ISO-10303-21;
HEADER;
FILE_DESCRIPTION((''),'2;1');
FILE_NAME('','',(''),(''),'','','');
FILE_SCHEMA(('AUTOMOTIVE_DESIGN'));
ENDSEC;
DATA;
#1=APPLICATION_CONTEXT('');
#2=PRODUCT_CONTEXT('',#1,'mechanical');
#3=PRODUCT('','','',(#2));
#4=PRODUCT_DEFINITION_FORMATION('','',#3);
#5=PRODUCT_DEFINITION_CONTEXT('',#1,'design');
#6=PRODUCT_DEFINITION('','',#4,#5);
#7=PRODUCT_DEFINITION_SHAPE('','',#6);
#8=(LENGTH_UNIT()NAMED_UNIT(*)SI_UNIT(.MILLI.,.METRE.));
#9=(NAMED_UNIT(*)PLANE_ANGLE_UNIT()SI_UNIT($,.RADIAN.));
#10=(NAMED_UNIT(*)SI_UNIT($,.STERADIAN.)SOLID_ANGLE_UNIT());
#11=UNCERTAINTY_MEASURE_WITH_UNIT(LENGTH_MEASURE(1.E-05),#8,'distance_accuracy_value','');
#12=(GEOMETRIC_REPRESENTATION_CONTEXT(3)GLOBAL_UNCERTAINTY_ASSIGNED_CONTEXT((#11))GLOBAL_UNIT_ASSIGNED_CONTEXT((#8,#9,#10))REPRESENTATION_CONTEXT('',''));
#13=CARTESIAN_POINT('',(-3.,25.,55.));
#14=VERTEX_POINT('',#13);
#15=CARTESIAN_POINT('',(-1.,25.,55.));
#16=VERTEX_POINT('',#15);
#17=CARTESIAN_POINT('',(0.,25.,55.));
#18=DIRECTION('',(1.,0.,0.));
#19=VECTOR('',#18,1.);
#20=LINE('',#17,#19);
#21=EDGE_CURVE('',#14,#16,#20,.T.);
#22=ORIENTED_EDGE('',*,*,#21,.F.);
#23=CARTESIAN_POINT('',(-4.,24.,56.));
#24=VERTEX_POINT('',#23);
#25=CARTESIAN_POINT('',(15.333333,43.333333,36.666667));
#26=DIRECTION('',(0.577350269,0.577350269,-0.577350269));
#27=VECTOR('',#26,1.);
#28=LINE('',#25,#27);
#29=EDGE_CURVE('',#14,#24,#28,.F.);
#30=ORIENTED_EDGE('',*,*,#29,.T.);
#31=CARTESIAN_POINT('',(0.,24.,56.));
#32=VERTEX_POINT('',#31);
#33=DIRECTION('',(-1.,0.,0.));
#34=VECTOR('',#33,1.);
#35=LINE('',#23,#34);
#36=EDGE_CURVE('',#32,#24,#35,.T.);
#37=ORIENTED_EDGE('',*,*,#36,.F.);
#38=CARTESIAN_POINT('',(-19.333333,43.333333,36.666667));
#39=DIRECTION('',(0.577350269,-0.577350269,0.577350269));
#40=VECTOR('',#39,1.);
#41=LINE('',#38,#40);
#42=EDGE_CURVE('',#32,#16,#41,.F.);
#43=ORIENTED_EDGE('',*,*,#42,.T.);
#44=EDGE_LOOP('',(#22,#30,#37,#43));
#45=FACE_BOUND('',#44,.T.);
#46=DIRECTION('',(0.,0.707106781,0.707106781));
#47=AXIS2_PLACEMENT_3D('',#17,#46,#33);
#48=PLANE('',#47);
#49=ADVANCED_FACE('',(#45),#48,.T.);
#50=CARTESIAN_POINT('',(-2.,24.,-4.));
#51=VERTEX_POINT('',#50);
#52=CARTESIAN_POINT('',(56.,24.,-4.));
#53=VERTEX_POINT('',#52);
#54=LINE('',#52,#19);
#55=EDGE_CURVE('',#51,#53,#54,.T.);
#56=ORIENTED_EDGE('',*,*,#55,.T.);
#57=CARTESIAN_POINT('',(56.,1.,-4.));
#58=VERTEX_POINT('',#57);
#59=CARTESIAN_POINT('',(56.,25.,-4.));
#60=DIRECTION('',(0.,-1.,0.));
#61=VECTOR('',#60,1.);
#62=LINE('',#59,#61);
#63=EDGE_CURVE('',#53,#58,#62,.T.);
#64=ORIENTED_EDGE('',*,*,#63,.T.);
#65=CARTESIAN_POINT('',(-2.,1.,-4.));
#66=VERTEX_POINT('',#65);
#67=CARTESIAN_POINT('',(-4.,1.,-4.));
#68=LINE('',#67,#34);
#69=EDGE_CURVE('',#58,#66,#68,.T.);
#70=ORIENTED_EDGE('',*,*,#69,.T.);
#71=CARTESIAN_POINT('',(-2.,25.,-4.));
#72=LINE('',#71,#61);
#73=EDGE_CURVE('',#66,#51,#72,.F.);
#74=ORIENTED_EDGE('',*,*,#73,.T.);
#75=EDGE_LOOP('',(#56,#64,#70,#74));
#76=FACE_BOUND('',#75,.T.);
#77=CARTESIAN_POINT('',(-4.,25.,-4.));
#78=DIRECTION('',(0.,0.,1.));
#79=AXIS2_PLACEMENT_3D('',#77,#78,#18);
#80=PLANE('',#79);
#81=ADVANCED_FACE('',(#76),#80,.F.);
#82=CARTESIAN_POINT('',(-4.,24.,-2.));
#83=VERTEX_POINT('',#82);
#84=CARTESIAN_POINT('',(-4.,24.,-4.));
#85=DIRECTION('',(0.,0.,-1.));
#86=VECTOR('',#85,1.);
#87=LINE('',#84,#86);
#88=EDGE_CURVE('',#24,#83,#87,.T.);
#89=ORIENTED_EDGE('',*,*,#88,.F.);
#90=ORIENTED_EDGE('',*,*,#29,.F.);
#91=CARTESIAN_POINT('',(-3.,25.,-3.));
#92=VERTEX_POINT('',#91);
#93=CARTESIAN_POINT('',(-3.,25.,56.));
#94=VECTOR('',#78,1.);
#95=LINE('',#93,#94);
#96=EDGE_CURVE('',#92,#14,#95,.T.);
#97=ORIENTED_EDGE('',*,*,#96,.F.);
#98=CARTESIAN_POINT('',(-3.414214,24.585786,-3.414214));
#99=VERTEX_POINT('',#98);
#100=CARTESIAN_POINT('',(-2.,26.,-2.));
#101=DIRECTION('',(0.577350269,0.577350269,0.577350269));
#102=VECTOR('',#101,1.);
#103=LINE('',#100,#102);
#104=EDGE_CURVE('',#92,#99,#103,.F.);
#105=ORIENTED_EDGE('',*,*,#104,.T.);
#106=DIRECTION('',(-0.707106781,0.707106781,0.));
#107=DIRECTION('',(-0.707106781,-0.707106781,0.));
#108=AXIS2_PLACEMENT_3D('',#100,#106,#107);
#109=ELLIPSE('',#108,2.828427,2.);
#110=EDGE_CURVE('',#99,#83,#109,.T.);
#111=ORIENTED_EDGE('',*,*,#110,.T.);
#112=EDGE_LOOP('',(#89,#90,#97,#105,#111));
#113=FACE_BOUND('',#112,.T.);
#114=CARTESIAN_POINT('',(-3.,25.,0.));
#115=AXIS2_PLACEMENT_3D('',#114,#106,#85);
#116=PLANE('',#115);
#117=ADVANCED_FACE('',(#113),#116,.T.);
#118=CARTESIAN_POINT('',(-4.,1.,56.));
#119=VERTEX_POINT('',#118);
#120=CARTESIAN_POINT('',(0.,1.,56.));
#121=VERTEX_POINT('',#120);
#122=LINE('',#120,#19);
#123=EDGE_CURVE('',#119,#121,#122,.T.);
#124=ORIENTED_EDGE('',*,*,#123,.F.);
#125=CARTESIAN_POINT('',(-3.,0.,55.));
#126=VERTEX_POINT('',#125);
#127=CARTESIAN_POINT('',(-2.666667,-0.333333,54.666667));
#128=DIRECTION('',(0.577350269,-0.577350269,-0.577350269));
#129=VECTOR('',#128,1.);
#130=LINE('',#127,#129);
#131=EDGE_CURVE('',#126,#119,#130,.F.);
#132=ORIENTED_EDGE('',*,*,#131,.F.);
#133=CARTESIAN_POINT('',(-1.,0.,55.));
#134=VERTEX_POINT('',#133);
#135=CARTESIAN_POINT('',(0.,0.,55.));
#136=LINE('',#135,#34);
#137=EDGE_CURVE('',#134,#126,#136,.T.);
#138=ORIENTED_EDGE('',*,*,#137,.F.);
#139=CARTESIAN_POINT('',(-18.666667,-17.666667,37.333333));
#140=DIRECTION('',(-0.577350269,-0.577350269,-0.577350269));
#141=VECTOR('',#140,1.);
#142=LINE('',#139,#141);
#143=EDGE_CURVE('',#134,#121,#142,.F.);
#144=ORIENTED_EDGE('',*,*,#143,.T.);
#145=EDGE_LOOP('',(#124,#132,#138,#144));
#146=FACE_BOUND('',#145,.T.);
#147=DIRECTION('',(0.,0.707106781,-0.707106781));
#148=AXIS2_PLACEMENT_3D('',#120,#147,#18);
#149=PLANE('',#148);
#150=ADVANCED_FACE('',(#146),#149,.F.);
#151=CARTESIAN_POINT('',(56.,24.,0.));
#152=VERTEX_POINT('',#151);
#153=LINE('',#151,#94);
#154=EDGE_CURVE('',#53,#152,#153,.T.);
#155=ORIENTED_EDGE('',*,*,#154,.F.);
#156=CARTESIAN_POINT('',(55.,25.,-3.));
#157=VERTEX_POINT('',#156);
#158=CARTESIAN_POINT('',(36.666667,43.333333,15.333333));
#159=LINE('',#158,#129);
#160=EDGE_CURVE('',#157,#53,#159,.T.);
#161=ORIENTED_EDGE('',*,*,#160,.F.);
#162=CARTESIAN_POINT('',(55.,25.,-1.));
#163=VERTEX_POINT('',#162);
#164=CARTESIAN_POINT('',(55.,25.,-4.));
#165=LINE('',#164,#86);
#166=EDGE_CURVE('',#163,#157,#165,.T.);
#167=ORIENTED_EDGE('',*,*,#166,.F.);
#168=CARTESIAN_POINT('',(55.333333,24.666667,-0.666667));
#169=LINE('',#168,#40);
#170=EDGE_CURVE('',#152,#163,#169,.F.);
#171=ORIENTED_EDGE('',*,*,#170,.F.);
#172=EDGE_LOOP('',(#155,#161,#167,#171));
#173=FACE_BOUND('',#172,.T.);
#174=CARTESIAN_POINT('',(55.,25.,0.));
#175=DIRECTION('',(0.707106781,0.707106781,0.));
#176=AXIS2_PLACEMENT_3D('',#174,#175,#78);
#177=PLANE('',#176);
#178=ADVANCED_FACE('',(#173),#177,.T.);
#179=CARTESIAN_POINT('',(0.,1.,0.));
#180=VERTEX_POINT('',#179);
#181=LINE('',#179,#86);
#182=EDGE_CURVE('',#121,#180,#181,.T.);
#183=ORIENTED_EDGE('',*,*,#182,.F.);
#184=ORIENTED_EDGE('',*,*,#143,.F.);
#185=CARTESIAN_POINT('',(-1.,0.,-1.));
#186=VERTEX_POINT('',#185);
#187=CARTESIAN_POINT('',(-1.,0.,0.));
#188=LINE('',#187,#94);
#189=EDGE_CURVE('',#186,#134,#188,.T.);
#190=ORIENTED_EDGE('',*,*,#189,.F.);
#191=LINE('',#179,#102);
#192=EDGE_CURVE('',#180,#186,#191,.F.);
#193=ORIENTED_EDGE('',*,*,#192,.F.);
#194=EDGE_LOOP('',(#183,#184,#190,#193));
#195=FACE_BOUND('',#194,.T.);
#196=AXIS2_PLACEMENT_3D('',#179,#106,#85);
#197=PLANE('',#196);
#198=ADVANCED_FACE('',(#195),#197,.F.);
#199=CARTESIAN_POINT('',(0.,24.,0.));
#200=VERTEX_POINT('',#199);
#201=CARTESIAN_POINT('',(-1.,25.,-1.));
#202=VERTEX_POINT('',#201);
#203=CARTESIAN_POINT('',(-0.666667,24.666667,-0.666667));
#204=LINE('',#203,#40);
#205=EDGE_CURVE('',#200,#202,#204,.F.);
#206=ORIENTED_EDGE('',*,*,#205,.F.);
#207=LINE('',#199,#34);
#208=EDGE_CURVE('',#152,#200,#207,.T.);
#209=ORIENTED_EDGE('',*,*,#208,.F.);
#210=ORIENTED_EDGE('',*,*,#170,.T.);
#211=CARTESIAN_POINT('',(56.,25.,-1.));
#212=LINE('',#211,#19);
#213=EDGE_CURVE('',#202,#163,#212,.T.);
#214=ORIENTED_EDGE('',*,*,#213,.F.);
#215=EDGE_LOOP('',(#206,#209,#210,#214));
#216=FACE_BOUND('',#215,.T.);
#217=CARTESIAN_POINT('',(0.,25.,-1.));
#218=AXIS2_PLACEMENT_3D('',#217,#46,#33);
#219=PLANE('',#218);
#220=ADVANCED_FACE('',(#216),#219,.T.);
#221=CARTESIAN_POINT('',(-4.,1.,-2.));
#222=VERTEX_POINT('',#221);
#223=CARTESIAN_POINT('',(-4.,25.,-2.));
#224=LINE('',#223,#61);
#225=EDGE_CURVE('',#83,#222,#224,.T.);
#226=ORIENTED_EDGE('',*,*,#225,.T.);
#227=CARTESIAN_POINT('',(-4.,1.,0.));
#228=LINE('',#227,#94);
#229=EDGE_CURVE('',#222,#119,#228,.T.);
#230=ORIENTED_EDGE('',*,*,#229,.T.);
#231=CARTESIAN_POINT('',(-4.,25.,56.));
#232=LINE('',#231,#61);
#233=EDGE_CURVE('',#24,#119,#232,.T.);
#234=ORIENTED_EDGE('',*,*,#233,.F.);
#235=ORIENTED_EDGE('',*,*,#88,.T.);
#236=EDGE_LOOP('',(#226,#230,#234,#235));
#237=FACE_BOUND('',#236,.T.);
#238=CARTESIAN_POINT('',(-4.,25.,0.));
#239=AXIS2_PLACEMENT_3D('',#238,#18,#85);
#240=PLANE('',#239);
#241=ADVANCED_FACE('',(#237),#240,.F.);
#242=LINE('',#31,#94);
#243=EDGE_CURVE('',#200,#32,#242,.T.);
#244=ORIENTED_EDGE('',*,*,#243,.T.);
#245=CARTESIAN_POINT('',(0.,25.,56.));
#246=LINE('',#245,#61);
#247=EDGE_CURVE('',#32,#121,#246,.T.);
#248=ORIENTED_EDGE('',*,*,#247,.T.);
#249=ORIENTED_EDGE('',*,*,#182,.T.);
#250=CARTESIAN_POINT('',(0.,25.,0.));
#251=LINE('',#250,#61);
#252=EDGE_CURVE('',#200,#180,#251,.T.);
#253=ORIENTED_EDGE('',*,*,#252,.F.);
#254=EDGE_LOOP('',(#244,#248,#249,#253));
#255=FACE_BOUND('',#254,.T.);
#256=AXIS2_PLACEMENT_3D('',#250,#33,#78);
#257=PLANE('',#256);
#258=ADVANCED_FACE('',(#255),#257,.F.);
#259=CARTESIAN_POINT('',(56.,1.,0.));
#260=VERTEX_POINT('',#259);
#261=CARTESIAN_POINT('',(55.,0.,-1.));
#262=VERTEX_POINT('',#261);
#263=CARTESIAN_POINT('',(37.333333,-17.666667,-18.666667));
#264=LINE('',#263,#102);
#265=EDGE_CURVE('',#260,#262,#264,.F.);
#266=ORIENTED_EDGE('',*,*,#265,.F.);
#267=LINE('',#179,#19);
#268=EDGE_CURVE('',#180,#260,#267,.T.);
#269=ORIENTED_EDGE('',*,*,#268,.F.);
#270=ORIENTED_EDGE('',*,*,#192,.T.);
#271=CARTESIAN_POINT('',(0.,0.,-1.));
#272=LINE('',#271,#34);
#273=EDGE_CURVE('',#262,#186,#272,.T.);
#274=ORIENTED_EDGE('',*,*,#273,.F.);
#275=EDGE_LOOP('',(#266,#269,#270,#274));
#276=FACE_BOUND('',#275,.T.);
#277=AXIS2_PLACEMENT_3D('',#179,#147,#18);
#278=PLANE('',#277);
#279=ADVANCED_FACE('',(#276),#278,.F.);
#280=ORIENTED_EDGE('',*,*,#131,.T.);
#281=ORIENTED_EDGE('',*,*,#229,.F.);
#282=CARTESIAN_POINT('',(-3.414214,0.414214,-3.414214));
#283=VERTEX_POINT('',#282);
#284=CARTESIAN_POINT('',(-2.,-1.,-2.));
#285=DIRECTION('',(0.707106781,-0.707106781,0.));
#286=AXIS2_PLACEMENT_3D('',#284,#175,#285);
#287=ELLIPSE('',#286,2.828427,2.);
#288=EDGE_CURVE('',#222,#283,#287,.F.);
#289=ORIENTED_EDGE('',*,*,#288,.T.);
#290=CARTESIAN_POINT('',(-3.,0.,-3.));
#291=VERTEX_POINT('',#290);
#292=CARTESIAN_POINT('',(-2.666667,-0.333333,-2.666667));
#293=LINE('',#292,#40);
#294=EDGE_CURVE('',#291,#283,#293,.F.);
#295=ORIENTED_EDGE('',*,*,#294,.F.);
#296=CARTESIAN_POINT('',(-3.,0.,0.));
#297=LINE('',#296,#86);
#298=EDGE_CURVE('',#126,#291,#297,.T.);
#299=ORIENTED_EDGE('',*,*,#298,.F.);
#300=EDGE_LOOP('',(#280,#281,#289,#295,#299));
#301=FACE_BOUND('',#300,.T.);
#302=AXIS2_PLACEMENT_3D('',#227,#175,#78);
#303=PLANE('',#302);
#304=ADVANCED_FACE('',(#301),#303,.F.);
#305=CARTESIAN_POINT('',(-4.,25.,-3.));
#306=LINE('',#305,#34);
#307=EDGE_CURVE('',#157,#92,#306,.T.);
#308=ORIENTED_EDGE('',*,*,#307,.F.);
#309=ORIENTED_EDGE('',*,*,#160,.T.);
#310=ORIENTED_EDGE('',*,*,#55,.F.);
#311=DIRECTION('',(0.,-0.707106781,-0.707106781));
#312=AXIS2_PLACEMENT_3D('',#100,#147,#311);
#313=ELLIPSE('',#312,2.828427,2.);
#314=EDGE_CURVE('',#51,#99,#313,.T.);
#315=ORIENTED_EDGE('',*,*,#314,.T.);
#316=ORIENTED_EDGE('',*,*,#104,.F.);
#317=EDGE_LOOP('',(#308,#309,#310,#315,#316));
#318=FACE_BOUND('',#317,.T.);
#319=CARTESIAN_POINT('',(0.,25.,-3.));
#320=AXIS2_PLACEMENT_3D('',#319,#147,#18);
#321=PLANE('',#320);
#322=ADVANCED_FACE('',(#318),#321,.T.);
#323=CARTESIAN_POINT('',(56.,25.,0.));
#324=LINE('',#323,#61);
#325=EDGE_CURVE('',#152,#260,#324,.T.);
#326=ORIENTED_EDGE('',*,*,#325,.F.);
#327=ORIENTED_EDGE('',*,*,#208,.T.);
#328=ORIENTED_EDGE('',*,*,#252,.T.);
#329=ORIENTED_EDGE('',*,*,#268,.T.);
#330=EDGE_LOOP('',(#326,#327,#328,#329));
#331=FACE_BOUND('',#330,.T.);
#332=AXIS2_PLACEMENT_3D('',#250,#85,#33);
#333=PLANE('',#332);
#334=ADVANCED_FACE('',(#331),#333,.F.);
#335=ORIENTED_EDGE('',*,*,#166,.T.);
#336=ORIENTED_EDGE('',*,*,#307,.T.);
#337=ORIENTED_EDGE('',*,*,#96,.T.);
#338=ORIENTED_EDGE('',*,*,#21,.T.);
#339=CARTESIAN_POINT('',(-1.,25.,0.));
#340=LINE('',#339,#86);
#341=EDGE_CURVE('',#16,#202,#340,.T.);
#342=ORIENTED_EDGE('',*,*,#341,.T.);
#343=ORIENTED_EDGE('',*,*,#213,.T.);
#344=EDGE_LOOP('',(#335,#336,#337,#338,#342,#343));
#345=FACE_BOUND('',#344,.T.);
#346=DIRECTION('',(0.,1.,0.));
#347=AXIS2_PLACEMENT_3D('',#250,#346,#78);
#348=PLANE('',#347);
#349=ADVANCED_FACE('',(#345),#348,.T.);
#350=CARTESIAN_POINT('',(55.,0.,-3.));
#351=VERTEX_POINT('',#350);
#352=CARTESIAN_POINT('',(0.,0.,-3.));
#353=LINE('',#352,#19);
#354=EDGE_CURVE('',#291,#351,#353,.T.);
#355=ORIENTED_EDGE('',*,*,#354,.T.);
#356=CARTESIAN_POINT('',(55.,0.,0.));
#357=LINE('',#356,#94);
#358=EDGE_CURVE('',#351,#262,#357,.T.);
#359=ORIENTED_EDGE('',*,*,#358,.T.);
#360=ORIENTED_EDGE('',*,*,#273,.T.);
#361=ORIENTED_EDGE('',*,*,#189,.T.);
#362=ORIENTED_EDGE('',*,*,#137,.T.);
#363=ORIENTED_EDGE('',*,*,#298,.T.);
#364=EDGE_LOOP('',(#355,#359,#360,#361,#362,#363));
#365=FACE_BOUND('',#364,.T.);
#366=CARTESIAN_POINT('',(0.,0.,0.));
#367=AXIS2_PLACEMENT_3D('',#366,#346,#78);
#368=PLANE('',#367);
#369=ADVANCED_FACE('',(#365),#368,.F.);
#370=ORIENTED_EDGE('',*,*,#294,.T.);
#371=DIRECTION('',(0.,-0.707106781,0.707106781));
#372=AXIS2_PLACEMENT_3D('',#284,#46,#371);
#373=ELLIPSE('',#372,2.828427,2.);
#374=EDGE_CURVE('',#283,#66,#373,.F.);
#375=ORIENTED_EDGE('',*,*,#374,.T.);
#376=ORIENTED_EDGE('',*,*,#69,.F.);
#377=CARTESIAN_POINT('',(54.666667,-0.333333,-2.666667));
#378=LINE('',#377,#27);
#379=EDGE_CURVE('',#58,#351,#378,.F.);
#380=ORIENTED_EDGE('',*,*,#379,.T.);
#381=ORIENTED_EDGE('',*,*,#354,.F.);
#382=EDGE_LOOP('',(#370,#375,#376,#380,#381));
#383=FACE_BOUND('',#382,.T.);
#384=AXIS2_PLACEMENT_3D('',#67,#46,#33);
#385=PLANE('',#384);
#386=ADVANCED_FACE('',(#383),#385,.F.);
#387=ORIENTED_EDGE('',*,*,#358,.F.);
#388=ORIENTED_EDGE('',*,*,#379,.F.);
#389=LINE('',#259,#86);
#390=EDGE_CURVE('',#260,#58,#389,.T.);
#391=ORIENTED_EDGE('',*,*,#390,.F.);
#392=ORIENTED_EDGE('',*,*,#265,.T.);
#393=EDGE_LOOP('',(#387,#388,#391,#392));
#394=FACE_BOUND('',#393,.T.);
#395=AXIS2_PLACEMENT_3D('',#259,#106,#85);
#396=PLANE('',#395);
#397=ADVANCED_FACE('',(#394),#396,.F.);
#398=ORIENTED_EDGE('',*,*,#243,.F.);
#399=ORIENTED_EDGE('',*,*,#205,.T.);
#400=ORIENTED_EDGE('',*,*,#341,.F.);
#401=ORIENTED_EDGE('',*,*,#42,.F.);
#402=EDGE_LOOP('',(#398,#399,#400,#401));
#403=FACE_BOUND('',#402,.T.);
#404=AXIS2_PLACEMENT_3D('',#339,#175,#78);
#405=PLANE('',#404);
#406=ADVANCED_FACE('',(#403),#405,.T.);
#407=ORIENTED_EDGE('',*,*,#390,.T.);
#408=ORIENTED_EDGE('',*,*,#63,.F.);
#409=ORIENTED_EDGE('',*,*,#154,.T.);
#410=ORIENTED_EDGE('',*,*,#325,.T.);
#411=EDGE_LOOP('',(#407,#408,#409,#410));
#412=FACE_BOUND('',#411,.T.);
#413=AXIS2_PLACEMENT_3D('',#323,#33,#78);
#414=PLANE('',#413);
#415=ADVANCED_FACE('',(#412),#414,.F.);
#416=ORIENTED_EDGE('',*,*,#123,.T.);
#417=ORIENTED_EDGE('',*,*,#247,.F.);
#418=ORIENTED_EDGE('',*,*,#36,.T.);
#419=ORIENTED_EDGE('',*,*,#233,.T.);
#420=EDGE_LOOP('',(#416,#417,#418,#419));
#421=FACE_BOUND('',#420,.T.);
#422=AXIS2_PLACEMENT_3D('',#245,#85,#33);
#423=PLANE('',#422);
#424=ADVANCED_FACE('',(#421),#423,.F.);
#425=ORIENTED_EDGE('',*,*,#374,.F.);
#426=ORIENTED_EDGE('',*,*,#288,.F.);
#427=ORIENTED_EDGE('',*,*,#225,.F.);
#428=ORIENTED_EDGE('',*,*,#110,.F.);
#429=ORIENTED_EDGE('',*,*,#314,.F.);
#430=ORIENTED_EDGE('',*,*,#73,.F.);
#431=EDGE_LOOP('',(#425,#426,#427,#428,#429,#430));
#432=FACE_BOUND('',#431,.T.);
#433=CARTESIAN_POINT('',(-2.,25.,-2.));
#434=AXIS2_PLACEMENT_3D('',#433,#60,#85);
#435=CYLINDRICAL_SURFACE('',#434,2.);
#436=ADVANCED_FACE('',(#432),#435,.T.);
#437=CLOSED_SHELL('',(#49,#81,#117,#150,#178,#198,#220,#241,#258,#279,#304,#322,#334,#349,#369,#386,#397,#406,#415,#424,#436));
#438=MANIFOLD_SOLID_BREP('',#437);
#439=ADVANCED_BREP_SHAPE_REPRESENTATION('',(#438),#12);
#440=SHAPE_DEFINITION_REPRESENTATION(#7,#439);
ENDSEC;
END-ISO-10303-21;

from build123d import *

# Parameters (mm, degrees)
BOSS_EXTRUDE1_DEPTH = 25
CHAMFER1_SIZE       = 1
FILLET1_R           = 2


with BuildPart() as part:
    # Sketch1 → Boss-Extrude1 (new body)
    with BuildSketch(Plane(origin=(0, 0, 0), x_dir=(1, 0, 0), z_dir=(0, 1, 0))):
        Polygon((0, 0), (0, -56), (-4, -56), (-4, 0), (-4, 4), (56, 4), (56, 0), align=None)
    extrude(amount=BOSS_EXTRUDE1_DEPTH)

    # Chamfer1
    chamfer1_edges = [part.edges().sort_by_distance(p)[0] for p in [
        (28, 0, 0),
        (26, 25, -4),
        (-4, 25, 26),
        (-2, 25, 56),
        (0, 25, 28),
        (28, 25, 0),
        (0, 0, 28),
        (-2, 0, 56),
        (-4, 0, 26),
        (56, 25, -2),
        (26, 0, -4),
        (56, 0, -2),
    ]]
    chamfer(chamfer1_edges, length=CHAMFER1_SIZE)

    # Fillet1
    fillet1_edges = [part.edges().sort_by_distance(p)[0] for p in [
        (-4, 12.5, -4),
    ]]
    fillet(fillet1_edges, radius=FILLET1_R)


solid = part.part
